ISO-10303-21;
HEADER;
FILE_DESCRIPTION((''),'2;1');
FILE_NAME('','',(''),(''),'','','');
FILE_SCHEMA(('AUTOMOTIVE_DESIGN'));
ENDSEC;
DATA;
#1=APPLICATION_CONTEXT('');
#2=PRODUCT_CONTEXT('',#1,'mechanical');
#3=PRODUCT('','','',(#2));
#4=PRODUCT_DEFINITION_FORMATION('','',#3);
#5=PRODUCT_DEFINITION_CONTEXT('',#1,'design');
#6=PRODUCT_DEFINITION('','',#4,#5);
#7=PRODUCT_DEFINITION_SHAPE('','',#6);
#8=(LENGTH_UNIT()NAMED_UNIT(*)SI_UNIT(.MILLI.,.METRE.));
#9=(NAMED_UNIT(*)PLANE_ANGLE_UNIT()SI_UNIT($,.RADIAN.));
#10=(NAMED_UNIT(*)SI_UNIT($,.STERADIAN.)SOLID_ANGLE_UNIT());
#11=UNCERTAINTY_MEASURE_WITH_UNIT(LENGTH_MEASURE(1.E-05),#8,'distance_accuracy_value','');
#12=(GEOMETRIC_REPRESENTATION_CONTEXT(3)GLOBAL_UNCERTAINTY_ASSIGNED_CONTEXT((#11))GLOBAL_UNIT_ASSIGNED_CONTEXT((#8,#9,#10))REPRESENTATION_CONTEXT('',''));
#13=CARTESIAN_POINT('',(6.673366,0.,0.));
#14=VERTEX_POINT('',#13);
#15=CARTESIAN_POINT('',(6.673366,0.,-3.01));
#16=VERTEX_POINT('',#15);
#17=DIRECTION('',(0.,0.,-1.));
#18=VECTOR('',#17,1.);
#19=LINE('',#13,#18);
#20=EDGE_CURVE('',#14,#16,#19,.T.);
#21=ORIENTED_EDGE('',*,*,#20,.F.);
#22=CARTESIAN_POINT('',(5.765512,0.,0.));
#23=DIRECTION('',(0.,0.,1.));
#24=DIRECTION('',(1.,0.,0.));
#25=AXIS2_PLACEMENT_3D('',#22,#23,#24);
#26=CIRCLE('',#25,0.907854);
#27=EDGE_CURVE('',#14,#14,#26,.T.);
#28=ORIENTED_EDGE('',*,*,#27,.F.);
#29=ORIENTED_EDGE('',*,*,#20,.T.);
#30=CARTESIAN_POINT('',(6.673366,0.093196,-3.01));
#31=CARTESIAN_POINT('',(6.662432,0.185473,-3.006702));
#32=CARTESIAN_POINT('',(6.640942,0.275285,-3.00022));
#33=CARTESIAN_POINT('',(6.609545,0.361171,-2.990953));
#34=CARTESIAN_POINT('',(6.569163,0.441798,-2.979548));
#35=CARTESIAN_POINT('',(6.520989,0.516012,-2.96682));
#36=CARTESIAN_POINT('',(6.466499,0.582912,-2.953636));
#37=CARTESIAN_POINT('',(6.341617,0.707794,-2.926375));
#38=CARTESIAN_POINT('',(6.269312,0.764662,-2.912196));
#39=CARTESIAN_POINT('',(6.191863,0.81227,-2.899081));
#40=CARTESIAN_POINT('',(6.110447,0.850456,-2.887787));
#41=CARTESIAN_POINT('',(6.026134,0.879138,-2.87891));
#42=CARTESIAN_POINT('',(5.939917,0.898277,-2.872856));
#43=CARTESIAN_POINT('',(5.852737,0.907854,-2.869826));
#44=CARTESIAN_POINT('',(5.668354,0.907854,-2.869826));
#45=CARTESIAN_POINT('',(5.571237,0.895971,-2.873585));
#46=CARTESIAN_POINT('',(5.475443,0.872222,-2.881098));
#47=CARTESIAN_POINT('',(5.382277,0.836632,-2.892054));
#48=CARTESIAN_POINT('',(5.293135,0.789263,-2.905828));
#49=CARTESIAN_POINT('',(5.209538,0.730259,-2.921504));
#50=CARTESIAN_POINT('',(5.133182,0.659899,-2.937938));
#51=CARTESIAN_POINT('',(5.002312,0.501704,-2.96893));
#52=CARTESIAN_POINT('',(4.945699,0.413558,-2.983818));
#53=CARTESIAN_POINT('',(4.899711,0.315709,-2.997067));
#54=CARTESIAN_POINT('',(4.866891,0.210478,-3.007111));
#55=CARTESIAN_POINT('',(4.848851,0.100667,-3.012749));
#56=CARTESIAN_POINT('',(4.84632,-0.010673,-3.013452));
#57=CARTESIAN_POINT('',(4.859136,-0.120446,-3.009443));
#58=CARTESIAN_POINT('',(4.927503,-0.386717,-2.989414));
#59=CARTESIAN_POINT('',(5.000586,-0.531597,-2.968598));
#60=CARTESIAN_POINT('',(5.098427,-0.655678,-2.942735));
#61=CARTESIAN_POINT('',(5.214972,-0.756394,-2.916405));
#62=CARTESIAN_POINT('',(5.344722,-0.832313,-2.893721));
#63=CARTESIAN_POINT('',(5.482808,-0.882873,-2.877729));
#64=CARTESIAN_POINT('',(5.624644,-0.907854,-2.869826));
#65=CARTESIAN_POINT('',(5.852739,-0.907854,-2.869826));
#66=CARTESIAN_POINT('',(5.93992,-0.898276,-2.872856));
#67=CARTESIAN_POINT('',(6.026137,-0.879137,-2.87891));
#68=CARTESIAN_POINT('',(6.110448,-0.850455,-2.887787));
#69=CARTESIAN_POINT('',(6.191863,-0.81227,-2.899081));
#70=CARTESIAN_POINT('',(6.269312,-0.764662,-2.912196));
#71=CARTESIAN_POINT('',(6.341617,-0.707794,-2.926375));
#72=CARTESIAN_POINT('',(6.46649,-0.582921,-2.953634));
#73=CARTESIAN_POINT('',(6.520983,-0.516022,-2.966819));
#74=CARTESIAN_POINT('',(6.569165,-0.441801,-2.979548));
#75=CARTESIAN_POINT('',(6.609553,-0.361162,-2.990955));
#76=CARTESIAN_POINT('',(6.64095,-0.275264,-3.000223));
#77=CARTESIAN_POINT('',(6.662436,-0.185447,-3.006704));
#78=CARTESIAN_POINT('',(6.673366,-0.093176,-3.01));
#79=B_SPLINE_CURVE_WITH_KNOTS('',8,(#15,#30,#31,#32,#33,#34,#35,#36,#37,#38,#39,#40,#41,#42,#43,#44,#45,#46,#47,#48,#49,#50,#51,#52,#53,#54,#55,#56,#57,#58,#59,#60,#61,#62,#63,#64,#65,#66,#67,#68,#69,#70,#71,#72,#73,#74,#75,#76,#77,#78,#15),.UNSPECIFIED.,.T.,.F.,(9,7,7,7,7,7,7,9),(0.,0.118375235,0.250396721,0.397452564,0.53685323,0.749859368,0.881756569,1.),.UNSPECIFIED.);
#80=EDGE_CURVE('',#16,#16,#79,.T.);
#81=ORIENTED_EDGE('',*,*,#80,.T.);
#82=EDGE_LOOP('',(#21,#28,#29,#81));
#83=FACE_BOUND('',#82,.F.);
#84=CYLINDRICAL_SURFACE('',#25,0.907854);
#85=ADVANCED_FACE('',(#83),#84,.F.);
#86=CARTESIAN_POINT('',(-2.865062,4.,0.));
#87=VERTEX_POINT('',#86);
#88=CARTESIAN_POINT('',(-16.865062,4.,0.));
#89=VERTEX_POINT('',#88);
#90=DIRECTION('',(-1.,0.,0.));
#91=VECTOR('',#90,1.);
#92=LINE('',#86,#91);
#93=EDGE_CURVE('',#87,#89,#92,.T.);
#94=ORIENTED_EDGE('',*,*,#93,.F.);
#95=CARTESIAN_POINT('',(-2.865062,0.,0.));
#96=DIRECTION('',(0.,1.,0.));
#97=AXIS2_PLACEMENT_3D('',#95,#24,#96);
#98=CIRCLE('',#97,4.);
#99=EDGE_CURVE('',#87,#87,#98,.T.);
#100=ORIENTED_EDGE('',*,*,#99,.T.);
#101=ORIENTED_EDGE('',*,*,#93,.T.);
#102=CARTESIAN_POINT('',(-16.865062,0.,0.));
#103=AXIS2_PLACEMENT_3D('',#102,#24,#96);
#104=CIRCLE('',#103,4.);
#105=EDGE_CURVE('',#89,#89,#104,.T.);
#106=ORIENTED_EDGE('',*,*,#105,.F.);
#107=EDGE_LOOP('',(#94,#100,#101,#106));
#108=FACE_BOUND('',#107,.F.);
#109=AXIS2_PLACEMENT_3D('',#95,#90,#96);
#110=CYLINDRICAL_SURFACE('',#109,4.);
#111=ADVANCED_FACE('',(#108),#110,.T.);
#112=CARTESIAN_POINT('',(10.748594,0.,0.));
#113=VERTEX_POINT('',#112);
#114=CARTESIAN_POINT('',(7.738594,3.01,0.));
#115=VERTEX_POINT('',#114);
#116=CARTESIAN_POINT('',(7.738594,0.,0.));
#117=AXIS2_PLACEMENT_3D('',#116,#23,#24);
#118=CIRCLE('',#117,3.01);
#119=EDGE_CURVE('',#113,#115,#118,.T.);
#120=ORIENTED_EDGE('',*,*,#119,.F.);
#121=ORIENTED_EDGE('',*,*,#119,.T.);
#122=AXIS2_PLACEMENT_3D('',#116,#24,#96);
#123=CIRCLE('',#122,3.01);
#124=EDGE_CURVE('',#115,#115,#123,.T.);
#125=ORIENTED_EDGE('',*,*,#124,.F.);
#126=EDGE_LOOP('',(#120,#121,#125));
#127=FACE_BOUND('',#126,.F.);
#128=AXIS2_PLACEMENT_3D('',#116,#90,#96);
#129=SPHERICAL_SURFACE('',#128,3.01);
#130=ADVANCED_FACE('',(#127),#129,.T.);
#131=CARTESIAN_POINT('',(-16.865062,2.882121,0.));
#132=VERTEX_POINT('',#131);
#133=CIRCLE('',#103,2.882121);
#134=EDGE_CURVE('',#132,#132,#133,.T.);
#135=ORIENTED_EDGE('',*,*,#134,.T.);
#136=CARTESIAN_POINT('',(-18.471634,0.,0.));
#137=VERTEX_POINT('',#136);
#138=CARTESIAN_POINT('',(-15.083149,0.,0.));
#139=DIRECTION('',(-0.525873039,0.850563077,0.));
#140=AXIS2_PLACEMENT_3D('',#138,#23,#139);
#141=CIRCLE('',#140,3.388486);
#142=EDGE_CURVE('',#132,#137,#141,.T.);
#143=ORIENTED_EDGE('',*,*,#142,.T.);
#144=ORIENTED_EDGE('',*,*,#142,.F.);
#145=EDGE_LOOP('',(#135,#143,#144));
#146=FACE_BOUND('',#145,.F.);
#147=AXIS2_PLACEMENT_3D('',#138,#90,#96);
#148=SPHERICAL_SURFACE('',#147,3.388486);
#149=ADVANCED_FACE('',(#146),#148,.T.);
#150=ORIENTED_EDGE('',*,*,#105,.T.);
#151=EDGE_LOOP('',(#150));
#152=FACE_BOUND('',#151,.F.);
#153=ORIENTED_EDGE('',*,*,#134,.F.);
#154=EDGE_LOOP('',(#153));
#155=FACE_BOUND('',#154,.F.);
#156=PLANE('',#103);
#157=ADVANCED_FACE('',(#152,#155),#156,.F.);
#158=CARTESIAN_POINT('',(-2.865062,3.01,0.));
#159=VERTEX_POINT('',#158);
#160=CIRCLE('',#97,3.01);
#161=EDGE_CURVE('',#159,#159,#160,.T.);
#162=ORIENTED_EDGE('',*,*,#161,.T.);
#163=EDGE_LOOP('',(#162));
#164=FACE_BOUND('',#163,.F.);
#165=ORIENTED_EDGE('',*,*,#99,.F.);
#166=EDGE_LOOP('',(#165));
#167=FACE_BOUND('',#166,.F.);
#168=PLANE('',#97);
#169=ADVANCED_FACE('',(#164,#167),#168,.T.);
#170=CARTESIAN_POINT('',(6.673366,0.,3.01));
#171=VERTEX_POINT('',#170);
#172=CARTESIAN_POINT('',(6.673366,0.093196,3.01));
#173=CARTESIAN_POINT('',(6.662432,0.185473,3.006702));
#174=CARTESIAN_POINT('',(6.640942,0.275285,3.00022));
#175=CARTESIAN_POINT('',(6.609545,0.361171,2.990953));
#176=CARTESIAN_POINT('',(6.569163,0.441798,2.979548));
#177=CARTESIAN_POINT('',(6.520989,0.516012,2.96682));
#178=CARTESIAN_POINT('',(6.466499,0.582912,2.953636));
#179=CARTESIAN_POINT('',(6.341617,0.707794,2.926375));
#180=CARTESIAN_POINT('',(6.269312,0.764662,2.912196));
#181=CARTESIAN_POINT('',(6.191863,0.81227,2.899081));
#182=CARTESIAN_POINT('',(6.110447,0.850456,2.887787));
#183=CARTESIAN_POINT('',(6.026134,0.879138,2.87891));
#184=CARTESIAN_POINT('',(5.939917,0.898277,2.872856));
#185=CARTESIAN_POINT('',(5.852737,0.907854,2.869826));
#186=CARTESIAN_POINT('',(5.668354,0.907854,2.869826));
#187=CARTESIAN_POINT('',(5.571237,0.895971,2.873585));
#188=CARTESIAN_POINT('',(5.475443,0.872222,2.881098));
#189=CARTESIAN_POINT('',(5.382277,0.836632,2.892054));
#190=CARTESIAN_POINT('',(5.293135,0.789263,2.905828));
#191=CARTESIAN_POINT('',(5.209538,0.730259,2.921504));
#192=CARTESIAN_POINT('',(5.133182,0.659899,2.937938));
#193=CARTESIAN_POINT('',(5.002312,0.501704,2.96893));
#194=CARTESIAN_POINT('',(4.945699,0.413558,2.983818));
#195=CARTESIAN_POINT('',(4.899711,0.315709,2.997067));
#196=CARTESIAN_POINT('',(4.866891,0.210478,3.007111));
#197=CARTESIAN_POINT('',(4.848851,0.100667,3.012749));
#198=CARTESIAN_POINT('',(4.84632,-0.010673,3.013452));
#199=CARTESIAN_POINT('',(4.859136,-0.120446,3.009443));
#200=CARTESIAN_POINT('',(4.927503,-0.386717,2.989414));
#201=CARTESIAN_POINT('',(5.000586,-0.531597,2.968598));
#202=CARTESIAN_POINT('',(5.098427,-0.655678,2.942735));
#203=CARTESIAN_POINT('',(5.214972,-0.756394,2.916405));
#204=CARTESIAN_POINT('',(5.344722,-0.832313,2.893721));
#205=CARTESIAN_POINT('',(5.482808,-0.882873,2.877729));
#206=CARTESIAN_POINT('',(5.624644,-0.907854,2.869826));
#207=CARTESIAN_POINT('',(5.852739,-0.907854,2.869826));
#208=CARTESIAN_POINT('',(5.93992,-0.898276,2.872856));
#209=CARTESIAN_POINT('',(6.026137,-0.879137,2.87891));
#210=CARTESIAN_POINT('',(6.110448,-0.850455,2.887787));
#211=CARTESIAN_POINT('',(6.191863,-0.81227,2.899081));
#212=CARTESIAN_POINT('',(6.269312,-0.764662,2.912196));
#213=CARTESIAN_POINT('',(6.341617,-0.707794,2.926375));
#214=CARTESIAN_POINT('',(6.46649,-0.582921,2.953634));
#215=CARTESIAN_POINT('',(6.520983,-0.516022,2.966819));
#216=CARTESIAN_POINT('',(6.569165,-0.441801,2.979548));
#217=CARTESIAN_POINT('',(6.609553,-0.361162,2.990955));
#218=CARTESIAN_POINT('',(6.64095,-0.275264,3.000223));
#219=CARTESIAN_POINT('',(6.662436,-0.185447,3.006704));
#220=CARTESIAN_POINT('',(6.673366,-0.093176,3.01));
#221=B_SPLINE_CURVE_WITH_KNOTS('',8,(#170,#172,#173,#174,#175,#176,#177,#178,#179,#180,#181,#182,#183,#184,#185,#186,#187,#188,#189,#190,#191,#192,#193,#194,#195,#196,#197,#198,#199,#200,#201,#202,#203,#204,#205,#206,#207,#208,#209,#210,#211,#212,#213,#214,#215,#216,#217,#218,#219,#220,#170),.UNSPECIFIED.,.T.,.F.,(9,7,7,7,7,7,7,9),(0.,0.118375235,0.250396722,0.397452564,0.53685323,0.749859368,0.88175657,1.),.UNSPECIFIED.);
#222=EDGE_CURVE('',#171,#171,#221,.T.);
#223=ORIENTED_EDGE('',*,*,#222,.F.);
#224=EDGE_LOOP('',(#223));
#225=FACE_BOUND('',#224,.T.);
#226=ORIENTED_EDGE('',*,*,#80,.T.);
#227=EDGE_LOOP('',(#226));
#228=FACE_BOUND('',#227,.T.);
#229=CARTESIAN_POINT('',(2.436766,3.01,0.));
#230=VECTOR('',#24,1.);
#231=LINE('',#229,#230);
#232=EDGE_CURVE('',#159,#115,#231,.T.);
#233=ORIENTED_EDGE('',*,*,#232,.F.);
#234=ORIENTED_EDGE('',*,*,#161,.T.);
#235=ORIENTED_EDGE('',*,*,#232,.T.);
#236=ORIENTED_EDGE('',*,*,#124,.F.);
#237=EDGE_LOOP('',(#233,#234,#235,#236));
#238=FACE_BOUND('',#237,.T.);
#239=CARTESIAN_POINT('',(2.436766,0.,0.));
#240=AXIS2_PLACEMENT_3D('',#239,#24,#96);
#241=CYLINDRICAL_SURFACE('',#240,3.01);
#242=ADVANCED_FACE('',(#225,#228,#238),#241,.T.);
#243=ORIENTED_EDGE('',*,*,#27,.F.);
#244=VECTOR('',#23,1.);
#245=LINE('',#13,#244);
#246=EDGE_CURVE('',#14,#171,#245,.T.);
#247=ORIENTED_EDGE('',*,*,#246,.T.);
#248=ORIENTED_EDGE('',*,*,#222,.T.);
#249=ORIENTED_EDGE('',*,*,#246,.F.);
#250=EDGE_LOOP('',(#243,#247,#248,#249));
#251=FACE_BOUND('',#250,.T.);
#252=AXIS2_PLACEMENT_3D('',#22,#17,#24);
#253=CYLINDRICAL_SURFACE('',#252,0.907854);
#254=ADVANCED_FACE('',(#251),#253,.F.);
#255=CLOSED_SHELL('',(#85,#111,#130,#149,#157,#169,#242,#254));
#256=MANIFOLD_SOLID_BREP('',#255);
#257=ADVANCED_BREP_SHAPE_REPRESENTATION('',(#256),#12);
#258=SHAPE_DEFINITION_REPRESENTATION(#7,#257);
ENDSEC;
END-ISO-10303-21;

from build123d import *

# Parameters (mm, degrees)
F0_W          = 10.6036561653
F0_H          = 3.01
F1_R          = 0.9078539699
F3_DEPTH      = 25
F3_DEPTH_BACK = 25


with BuildPart() as f2:
    # F0 (on Top) → F2 (revolve)
    with BuildSketch(Plane.XY):
        with BuildLine():
            Line((-2.8650616772, 4), (-16.8650616772, 4))
            Line((-16.8650616772, 4), (-16.8650616772, 3.01))
            Line((-16.8650616772, 3.01), (-16.6393406689, 3.01))
            ThreePointArc((-16.6393406689, 3.01), (-16.7534254551, 2.9482213216), (-16.8650616772, 2.8821206599))
            Line((-16.8650616772, 2.8821206599), (-16.8650616772, 0))
            Line((-16.8650616772, 0), (-16.6393406689, 0))
            Line((-16.6393406689, 0), (-2.8650616772, 0))
            Line((-2.8650616772, 0), (-2.8650616772, 3.01))
            Line((-2.8650616772, 3.01), (-2.8650616772, 4))
        make_face()
        with BuildLine():
            Line((-16.6393406689, 3.01), (-16.8650616772, 3.01))
            Line((-16.8650616772, 3.01), (-16.8650616772, 2.8821206599))
            ThreePointArc((-16.8650616772, 2.8821206599), (-16.7534254551, 2.9482213216), (-16.6393406689, 3.01))
        make_face()
        with Locations((2.4367664055, 1.505)):
            Rectangle(F0_W, F0_H)
        with BuildLine():
            Line((-16.8650616772, 0), (-16.8650616772, 2.8821206599))
            ThreePointArc((-16.8650616772, 2.8821206599), (-18.0428631043, 1.6498253072), (-18.4716340154, 0))
            Line((-18.4716340154, 0), (-16.8650616772, 0))
        make_face()
        with BuildLine():
            ThreePointArc((10.7485944881, 0), (9.8669858995, 2.1283914114), (7.7385944881, 3.01))
            Line((7.7385944881, 3.01), (7.7385944881, 0))
            Line((7.7385944881, 0), (10.7485944881, 0))
        make_face()
    revolve(axis=Axis((50.5401151931, 0, 0), (1, 0, 0)))

    # F1 (on Top) → F3 (cut, two sides)
    with BuildSketch(Plane.XY) as f3_sk:
        with Locations((5.7655116543, 0)):
            Circle(F1_R)
    extrude(amount=-F3_DEPTH, mode=Mode.SUBTRACT)
    extrude(f3_sk.sketch, amount=F3_DEPTH_BACK, mode=Mode.SUBTRACT)


solid = f2.part
